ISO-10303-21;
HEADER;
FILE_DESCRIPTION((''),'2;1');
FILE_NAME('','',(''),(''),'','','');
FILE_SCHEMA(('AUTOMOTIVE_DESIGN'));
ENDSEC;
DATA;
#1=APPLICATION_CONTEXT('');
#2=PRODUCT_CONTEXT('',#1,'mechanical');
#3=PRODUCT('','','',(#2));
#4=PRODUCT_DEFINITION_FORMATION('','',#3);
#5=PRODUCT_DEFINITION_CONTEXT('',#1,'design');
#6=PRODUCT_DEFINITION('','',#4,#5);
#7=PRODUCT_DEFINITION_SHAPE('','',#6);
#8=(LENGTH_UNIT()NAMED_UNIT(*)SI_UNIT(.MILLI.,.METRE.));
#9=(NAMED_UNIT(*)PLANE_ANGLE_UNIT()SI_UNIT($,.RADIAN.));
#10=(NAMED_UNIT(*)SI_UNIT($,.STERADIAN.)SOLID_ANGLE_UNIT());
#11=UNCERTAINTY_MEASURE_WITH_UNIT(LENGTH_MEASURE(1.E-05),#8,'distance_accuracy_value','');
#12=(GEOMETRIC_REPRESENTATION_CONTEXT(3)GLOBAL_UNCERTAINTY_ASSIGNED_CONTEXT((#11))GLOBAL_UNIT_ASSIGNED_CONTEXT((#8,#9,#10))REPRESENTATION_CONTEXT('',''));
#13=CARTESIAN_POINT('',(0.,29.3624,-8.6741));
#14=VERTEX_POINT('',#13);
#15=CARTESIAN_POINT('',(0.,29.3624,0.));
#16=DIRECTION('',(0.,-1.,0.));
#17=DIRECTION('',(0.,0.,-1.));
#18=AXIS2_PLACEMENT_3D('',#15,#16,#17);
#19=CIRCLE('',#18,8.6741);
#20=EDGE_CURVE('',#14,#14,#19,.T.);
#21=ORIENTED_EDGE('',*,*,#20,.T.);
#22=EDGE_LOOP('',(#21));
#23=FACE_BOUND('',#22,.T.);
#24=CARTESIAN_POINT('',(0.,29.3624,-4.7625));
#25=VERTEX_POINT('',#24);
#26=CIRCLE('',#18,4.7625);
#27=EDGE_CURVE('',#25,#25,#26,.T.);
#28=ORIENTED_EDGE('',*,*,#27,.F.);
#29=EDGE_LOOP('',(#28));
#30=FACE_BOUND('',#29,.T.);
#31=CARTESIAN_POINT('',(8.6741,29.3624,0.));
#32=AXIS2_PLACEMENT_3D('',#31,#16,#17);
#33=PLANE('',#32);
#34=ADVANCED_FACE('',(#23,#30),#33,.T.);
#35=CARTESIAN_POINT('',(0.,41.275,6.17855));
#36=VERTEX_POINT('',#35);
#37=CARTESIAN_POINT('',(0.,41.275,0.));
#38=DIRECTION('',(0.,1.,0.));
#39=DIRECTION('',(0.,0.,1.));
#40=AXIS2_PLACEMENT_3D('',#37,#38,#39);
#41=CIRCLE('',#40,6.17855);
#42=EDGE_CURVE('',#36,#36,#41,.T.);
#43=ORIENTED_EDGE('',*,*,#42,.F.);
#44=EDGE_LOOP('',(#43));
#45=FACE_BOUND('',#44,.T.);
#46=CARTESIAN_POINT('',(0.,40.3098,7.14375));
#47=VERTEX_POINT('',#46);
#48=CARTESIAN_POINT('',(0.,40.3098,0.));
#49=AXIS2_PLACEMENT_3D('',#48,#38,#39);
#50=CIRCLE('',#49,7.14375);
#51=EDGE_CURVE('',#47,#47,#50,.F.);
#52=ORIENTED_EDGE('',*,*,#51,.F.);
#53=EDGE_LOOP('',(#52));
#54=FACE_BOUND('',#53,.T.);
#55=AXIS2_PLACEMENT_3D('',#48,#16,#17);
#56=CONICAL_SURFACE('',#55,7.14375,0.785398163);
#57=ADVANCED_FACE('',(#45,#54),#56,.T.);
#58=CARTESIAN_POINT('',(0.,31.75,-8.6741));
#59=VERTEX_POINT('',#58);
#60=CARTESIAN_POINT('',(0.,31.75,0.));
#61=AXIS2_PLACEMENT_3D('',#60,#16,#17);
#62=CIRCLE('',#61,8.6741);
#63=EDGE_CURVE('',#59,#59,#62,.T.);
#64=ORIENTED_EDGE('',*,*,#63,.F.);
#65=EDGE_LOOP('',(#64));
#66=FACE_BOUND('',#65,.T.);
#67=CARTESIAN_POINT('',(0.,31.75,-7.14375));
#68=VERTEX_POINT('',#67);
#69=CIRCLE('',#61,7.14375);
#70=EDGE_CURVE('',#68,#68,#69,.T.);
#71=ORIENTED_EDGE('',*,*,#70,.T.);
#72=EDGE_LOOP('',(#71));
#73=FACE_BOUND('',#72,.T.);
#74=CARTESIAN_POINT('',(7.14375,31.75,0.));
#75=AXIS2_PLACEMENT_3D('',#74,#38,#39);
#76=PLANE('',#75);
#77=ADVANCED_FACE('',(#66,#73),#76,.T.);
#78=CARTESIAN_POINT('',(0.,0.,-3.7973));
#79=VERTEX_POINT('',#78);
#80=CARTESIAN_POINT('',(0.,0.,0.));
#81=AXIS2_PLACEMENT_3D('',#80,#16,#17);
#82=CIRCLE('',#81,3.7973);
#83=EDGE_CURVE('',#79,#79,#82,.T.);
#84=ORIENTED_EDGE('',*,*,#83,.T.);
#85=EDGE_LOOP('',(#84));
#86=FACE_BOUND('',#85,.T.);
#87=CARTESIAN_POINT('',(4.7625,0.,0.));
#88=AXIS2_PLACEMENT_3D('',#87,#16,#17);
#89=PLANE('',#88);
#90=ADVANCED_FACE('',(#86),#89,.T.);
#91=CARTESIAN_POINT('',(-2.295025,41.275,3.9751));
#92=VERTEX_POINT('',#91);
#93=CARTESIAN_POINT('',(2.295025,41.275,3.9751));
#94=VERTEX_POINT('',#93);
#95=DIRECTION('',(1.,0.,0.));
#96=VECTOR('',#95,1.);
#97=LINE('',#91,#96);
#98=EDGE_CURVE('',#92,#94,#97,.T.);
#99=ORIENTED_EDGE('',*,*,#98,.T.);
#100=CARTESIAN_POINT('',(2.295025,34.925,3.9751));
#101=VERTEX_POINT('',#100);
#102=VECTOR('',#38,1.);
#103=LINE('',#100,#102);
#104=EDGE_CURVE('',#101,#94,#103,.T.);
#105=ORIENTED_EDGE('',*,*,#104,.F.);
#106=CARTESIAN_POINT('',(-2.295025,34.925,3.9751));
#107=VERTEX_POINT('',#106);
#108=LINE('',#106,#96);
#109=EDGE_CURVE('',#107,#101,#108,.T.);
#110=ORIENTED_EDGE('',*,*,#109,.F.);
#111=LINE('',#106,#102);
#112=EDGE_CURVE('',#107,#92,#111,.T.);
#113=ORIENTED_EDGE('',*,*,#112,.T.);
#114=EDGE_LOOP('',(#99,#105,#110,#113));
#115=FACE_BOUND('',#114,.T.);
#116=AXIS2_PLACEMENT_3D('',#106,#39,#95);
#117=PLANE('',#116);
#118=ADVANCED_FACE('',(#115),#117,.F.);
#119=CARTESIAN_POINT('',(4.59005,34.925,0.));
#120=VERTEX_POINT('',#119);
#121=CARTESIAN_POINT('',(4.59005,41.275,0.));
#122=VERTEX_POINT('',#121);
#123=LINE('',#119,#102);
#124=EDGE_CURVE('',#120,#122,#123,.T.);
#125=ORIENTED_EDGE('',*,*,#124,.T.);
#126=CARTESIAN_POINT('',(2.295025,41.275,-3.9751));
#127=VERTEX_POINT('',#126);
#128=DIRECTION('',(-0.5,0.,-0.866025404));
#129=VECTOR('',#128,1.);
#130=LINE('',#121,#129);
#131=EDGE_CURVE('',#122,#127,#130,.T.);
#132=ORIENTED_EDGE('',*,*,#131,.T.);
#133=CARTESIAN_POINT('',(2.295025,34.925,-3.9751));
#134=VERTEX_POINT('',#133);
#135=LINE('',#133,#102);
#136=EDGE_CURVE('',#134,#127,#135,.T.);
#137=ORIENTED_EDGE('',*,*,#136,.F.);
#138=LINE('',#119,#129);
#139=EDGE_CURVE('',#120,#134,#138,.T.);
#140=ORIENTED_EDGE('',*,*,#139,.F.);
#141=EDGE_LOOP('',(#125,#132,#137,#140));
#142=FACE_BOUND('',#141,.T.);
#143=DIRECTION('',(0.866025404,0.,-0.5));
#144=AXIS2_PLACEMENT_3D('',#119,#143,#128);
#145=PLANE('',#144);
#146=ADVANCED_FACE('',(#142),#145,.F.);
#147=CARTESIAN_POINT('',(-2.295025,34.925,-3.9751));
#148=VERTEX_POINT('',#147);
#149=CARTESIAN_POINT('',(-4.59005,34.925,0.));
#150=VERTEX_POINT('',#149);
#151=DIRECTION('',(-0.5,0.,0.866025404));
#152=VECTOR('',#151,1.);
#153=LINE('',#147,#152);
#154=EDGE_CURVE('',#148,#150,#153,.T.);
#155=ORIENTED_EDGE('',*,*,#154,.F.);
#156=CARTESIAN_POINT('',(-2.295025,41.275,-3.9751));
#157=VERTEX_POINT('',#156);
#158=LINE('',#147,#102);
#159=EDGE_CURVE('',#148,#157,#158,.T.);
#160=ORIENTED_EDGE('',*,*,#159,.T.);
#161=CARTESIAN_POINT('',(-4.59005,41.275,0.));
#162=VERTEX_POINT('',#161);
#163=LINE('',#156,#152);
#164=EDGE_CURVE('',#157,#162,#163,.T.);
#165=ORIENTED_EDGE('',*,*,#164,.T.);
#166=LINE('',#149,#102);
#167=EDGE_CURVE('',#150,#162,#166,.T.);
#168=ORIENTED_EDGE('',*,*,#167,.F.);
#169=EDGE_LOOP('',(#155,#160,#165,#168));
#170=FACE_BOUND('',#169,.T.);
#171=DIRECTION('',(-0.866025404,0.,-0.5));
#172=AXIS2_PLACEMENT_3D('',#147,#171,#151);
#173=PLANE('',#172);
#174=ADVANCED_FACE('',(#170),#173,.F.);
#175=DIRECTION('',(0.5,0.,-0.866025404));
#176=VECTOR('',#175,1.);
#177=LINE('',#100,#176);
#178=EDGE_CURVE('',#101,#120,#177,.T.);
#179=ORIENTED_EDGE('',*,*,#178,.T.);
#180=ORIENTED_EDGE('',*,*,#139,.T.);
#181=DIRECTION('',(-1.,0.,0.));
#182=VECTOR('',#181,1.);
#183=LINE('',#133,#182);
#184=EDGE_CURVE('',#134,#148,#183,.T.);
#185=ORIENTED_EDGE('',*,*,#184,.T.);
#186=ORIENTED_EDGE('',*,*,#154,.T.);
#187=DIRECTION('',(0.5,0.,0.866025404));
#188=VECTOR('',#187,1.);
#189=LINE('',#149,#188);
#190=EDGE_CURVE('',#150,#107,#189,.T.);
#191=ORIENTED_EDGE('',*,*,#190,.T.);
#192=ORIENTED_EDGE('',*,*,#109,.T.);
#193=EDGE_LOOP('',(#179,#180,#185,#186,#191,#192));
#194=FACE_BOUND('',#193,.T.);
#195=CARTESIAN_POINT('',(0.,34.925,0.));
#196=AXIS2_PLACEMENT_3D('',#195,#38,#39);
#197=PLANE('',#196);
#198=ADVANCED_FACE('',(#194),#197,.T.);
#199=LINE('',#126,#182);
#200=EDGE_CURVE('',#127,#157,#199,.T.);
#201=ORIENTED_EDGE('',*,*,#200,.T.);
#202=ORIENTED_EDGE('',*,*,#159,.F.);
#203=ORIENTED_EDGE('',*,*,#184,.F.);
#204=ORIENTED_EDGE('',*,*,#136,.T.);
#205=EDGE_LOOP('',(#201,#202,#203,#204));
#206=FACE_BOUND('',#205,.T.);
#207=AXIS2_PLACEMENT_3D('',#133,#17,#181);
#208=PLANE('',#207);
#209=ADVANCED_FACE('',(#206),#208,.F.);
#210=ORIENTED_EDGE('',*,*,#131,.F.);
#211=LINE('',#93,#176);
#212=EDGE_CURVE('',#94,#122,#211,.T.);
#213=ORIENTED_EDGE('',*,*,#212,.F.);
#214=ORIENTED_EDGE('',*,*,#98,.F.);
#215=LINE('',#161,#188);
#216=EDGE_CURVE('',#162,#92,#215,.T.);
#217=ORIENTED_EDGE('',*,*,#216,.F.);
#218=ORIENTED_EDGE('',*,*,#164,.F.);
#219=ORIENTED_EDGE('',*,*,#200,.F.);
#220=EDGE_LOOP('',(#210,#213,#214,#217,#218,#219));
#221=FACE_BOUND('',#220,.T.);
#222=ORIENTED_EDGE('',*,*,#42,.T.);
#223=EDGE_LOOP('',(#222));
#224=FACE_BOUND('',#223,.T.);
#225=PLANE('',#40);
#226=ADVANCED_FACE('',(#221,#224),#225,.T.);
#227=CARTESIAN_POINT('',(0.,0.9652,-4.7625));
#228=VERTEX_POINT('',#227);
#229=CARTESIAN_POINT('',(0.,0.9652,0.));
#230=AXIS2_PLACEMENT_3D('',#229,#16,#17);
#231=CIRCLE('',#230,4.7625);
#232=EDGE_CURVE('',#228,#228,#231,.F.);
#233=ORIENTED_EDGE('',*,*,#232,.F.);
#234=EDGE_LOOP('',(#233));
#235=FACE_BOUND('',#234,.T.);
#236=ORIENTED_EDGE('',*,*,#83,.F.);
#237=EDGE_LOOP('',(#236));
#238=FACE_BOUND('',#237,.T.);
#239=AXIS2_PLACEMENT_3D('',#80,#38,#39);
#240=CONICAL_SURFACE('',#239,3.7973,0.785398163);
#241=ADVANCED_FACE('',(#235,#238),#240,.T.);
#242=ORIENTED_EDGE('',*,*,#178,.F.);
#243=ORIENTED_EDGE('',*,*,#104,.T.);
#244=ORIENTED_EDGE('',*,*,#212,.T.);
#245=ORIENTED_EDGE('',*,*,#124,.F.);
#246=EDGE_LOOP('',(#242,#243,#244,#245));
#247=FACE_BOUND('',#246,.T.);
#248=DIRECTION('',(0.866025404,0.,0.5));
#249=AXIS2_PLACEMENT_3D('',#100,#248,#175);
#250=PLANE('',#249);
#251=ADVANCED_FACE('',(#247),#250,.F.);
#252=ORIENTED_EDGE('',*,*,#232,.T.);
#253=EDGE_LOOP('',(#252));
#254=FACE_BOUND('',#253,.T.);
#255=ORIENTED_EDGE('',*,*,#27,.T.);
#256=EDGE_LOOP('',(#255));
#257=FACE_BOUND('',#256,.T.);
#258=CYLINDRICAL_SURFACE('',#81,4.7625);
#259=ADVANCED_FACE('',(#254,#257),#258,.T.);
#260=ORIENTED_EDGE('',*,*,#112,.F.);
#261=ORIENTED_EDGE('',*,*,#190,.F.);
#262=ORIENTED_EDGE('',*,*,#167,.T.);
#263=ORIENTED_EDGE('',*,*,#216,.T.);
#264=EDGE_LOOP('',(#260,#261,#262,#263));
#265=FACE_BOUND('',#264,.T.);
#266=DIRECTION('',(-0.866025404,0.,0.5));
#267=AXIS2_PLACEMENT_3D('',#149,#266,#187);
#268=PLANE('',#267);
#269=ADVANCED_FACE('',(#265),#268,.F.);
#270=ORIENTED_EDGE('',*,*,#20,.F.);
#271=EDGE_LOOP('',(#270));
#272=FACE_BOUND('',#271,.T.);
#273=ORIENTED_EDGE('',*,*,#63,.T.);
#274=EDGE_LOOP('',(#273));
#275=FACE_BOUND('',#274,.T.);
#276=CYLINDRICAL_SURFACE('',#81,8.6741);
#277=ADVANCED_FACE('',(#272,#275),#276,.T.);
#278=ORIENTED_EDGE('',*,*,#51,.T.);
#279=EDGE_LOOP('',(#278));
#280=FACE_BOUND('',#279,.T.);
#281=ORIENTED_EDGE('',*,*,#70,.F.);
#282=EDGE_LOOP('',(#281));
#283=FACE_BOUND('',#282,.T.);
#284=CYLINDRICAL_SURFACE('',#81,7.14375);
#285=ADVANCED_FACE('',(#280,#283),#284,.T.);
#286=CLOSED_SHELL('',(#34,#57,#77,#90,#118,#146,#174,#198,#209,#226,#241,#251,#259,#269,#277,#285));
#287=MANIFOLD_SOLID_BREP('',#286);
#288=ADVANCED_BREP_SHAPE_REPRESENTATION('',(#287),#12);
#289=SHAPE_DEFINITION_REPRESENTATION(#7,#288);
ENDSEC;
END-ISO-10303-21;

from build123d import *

# Parameters (mm, degrees)
CUT_EXTRUDE1_DEPTH = 6.35
CHAMFER1_SIZE      = 0.9652
CHAMFER2_SIZE      = 0.9652


with BuildPart() as part:
    # Sketch2 → Revolve1 (revolve)
    with BuildSketch(Plane.XY):
        Polygon((0, 41.275), (7.14375, 41.275), (7.14375, 31.75), (8.6741, 31.75), (8.6741, 29.3624), (4.7625, 29.3624), (4.7625, 0), (0, 0), align=None)
    revolve(axis=Axis((0, 0, 0), (0, 1, 0)))

    # Sketch3 → Cut-Extrude1 (cut)
    with BuildSketch(Plane(origin=(0, 41.275, 0), x_dir=(1, 0, 0), z_dir=(0, 1, 0))):
        Polygon((4.59005011, 0), (2.295025055, 3.9751), (-2.295025055, 3.9751), (-4.59005011, 0), (-2.295025055, -3.9751), (2.295025055, -3.9751), align=None)
    extrude(amount=-CUT_EXTRUDE1_DEPTH, mode=Mode.SUBTRACT)

    # Chamfer1
    chamfer1_edges = [part.edges().sort_by_distance(p)[0] for p in [
        (-7.14375, 41.275, 0),
    ]]
    chamfer(chamfer1_edges, length=CHAMFER1_SIZE)

    # Chamfer2
    chamfer2_edges = [part.edges().sort_by_distance(p)[0] for p in [
        (-4.7625, 0, 0),
    ]]
    chamfer(chamfer2_edges, length=CHAMFER2_SIZE)


solid = part.part
